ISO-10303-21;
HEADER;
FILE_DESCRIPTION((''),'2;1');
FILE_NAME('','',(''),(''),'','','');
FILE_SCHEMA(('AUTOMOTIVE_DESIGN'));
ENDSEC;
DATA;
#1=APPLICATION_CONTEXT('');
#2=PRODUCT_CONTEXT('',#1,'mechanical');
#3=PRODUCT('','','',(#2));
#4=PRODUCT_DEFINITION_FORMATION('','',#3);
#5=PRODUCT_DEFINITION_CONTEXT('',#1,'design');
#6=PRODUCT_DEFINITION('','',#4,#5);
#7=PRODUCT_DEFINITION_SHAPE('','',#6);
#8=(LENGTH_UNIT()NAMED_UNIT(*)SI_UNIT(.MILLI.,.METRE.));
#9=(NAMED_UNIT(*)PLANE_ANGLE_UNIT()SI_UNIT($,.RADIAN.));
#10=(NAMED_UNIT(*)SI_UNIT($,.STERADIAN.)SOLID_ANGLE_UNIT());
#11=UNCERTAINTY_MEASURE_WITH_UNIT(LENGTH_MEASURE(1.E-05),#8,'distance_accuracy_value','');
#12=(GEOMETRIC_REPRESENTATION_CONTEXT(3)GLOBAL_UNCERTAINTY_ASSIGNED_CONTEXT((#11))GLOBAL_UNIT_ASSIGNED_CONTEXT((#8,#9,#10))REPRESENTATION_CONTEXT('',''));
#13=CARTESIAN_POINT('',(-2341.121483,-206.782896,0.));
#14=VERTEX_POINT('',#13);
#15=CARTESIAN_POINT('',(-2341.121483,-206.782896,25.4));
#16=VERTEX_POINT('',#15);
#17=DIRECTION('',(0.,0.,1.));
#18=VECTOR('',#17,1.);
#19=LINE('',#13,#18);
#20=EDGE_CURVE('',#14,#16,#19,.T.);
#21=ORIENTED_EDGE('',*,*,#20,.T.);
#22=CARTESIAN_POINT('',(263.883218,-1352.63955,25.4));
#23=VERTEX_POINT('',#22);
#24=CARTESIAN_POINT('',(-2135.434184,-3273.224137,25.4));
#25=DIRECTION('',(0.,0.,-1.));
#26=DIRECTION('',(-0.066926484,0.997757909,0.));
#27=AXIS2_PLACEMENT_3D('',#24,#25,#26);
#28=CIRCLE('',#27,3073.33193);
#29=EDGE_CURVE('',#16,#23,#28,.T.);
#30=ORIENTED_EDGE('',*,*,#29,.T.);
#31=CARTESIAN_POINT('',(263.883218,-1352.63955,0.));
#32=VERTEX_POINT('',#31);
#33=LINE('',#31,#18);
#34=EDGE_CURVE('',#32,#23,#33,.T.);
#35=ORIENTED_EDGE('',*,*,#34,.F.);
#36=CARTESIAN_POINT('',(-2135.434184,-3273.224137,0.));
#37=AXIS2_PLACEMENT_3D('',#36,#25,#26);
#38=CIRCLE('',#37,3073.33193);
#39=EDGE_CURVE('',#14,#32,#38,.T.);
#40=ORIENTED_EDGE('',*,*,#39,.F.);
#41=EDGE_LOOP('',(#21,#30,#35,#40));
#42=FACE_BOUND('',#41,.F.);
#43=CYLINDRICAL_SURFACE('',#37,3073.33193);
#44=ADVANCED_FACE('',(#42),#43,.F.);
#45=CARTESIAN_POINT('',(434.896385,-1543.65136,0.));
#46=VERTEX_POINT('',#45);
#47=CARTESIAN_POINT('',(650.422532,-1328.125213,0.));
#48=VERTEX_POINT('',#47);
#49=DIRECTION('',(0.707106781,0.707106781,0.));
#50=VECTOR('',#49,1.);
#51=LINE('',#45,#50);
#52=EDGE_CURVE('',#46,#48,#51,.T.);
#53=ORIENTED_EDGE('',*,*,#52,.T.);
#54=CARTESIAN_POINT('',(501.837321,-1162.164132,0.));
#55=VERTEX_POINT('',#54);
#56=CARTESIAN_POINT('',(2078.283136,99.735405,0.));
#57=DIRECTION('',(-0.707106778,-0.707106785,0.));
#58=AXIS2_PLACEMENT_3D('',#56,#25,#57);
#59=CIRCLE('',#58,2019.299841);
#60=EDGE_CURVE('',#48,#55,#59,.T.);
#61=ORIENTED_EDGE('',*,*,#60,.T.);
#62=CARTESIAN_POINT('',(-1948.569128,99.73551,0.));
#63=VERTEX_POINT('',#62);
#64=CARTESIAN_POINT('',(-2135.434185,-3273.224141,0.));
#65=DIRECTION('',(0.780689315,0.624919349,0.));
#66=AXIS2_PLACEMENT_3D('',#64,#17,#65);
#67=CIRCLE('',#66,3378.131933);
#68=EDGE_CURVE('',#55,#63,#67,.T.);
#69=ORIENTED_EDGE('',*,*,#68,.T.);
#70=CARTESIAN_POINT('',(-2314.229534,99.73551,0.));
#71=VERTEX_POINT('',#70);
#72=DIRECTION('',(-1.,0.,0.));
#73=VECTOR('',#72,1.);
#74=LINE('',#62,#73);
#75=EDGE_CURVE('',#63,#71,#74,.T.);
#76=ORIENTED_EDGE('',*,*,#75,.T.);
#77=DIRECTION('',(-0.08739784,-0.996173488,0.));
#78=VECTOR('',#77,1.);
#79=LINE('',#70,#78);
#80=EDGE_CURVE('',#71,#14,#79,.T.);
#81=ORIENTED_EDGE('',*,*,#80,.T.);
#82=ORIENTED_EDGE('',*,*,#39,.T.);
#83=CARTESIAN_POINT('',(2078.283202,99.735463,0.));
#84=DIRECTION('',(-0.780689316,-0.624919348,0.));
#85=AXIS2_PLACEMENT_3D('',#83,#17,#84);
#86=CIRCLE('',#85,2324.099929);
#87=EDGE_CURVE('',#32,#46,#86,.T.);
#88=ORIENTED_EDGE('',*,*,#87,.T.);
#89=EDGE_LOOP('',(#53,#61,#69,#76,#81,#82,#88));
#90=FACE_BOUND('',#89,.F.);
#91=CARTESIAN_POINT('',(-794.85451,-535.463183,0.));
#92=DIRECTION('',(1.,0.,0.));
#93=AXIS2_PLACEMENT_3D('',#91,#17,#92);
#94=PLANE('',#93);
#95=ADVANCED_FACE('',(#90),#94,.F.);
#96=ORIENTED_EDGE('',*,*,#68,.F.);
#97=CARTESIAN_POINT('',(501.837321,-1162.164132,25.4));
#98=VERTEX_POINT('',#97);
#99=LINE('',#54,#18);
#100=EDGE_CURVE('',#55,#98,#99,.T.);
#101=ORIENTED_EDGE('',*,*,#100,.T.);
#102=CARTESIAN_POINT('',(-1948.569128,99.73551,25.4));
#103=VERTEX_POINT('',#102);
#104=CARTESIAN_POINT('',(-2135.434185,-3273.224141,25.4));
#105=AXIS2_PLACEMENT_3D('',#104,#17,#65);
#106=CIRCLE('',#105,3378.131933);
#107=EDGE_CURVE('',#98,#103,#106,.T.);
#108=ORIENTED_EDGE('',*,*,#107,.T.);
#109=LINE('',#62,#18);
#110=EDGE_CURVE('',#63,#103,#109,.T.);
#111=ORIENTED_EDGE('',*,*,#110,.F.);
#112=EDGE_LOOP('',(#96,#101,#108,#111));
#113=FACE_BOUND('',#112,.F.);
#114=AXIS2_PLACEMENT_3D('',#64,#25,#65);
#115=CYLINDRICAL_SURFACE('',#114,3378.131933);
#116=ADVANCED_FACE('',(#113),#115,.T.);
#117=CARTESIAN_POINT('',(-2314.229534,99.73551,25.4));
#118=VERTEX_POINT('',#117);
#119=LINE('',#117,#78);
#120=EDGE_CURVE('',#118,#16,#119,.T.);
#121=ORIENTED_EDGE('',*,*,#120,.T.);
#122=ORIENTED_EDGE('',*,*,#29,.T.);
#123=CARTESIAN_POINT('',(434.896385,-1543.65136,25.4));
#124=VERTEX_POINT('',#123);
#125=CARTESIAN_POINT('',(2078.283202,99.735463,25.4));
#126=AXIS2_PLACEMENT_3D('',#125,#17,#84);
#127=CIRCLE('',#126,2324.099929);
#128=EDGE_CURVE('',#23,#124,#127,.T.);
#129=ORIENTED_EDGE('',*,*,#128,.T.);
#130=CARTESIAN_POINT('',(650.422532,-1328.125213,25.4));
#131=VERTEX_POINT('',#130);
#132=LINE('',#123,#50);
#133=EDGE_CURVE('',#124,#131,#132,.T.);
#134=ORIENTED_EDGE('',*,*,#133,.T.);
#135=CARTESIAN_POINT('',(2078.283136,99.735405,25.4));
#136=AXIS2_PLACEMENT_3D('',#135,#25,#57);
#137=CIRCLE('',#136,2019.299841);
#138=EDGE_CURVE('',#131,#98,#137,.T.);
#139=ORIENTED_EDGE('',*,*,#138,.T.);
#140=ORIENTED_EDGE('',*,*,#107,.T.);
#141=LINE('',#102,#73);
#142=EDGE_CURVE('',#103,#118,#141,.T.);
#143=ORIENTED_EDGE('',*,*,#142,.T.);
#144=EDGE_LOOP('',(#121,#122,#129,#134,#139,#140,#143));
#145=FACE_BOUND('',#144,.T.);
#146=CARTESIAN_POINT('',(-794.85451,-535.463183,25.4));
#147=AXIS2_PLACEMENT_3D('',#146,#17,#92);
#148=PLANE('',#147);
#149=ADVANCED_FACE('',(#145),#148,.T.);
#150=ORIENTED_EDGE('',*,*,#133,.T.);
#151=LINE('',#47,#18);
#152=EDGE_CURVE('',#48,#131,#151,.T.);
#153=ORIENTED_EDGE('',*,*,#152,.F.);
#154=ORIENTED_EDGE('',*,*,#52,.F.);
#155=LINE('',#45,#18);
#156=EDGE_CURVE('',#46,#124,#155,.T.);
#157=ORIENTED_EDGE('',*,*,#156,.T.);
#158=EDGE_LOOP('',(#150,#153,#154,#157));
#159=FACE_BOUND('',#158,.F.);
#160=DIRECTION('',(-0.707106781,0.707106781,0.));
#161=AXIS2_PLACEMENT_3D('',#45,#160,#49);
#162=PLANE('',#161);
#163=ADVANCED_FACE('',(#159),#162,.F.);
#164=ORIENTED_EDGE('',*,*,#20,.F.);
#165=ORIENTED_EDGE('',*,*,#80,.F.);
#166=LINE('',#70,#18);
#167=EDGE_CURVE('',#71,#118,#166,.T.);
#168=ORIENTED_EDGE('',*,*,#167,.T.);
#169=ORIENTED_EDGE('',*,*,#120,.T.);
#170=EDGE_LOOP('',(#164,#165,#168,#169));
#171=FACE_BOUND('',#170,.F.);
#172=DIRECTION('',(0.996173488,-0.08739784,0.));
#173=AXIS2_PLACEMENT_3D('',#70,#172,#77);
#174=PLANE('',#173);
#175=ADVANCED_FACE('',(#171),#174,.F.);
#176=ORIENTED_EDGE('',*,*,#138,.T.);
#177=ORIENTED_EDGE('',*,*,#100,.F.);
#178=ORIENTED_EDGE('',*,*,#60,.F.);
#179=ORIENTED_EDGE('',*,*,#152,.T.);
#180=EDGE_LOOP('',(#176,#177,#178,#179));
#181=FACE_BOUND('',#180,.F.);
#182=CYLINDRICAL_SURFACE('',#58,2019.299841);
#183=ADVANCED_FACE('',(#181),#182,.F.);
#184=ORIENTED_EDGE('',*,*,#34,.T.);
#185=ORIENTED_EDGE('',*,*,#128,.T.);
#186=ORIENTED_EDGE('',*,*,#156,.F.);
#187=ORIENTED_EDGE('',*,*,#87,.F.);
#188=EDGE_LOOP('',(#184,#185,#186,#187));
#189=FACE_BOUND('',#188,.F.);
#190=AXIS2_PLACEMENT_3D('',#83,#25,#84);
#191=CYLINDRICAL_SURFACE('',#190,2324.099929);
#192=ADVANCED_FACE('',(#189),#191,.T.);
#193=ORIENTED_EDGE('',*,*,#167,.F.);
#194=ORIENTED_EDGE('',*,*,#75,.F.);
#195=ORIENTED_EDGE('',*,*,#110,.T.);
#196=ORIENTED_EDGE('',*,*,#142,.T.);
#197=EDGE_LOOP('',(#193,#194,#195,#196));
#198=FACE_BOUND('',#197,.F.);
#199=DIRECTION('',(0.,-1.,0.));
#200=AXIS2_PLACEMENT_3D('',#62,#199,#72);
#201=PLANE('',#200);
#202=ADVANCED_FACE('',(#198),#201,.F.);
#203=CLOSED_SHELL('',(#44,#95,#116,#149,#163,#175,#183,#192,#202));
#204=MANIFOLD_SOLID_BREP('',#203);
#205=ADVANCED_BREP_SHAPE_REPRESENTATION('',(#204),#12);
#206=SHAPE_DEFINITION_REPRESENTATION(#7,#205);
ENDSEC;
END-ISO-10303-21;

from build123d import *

# Parameters (mm, degrees)
F1_DEPTH = 25.4


with BuildPart() as f1:
    # F0 (on Top) → F1 (new body)
    with BuildSketch(Plane.XY):
        with BuildLine():
            Line((-1948.569128, 99.73551), (-2314.229534, 99.73551))
            Line((-2314.229534, 99.73551), (-2341.121483, -206.782896))
            ThreePointArc((-2341.121483, -206.782896), (-897.997266, -460.019732), (263.883218, -1352.63955))
            ThreePointArc((263.883218, -1352.63955), (346.753887, -1450.505393), (434.896385, -1543.65136))
            Line((434.896385, -1543.65136), (650.422532, -1328.125213))
            ThreePointArc((650.422532, -1328.125213), (573.839706, -1247.195111), (501.837321, -1162.164132))
            ThreePointArc((501.837321, -1162.164132), (-588.813834, -269.935802), (-1948.569128, 99.73551))
        make_face()
    extrude(amount=F1_DEPTH)


solid = f1.part
